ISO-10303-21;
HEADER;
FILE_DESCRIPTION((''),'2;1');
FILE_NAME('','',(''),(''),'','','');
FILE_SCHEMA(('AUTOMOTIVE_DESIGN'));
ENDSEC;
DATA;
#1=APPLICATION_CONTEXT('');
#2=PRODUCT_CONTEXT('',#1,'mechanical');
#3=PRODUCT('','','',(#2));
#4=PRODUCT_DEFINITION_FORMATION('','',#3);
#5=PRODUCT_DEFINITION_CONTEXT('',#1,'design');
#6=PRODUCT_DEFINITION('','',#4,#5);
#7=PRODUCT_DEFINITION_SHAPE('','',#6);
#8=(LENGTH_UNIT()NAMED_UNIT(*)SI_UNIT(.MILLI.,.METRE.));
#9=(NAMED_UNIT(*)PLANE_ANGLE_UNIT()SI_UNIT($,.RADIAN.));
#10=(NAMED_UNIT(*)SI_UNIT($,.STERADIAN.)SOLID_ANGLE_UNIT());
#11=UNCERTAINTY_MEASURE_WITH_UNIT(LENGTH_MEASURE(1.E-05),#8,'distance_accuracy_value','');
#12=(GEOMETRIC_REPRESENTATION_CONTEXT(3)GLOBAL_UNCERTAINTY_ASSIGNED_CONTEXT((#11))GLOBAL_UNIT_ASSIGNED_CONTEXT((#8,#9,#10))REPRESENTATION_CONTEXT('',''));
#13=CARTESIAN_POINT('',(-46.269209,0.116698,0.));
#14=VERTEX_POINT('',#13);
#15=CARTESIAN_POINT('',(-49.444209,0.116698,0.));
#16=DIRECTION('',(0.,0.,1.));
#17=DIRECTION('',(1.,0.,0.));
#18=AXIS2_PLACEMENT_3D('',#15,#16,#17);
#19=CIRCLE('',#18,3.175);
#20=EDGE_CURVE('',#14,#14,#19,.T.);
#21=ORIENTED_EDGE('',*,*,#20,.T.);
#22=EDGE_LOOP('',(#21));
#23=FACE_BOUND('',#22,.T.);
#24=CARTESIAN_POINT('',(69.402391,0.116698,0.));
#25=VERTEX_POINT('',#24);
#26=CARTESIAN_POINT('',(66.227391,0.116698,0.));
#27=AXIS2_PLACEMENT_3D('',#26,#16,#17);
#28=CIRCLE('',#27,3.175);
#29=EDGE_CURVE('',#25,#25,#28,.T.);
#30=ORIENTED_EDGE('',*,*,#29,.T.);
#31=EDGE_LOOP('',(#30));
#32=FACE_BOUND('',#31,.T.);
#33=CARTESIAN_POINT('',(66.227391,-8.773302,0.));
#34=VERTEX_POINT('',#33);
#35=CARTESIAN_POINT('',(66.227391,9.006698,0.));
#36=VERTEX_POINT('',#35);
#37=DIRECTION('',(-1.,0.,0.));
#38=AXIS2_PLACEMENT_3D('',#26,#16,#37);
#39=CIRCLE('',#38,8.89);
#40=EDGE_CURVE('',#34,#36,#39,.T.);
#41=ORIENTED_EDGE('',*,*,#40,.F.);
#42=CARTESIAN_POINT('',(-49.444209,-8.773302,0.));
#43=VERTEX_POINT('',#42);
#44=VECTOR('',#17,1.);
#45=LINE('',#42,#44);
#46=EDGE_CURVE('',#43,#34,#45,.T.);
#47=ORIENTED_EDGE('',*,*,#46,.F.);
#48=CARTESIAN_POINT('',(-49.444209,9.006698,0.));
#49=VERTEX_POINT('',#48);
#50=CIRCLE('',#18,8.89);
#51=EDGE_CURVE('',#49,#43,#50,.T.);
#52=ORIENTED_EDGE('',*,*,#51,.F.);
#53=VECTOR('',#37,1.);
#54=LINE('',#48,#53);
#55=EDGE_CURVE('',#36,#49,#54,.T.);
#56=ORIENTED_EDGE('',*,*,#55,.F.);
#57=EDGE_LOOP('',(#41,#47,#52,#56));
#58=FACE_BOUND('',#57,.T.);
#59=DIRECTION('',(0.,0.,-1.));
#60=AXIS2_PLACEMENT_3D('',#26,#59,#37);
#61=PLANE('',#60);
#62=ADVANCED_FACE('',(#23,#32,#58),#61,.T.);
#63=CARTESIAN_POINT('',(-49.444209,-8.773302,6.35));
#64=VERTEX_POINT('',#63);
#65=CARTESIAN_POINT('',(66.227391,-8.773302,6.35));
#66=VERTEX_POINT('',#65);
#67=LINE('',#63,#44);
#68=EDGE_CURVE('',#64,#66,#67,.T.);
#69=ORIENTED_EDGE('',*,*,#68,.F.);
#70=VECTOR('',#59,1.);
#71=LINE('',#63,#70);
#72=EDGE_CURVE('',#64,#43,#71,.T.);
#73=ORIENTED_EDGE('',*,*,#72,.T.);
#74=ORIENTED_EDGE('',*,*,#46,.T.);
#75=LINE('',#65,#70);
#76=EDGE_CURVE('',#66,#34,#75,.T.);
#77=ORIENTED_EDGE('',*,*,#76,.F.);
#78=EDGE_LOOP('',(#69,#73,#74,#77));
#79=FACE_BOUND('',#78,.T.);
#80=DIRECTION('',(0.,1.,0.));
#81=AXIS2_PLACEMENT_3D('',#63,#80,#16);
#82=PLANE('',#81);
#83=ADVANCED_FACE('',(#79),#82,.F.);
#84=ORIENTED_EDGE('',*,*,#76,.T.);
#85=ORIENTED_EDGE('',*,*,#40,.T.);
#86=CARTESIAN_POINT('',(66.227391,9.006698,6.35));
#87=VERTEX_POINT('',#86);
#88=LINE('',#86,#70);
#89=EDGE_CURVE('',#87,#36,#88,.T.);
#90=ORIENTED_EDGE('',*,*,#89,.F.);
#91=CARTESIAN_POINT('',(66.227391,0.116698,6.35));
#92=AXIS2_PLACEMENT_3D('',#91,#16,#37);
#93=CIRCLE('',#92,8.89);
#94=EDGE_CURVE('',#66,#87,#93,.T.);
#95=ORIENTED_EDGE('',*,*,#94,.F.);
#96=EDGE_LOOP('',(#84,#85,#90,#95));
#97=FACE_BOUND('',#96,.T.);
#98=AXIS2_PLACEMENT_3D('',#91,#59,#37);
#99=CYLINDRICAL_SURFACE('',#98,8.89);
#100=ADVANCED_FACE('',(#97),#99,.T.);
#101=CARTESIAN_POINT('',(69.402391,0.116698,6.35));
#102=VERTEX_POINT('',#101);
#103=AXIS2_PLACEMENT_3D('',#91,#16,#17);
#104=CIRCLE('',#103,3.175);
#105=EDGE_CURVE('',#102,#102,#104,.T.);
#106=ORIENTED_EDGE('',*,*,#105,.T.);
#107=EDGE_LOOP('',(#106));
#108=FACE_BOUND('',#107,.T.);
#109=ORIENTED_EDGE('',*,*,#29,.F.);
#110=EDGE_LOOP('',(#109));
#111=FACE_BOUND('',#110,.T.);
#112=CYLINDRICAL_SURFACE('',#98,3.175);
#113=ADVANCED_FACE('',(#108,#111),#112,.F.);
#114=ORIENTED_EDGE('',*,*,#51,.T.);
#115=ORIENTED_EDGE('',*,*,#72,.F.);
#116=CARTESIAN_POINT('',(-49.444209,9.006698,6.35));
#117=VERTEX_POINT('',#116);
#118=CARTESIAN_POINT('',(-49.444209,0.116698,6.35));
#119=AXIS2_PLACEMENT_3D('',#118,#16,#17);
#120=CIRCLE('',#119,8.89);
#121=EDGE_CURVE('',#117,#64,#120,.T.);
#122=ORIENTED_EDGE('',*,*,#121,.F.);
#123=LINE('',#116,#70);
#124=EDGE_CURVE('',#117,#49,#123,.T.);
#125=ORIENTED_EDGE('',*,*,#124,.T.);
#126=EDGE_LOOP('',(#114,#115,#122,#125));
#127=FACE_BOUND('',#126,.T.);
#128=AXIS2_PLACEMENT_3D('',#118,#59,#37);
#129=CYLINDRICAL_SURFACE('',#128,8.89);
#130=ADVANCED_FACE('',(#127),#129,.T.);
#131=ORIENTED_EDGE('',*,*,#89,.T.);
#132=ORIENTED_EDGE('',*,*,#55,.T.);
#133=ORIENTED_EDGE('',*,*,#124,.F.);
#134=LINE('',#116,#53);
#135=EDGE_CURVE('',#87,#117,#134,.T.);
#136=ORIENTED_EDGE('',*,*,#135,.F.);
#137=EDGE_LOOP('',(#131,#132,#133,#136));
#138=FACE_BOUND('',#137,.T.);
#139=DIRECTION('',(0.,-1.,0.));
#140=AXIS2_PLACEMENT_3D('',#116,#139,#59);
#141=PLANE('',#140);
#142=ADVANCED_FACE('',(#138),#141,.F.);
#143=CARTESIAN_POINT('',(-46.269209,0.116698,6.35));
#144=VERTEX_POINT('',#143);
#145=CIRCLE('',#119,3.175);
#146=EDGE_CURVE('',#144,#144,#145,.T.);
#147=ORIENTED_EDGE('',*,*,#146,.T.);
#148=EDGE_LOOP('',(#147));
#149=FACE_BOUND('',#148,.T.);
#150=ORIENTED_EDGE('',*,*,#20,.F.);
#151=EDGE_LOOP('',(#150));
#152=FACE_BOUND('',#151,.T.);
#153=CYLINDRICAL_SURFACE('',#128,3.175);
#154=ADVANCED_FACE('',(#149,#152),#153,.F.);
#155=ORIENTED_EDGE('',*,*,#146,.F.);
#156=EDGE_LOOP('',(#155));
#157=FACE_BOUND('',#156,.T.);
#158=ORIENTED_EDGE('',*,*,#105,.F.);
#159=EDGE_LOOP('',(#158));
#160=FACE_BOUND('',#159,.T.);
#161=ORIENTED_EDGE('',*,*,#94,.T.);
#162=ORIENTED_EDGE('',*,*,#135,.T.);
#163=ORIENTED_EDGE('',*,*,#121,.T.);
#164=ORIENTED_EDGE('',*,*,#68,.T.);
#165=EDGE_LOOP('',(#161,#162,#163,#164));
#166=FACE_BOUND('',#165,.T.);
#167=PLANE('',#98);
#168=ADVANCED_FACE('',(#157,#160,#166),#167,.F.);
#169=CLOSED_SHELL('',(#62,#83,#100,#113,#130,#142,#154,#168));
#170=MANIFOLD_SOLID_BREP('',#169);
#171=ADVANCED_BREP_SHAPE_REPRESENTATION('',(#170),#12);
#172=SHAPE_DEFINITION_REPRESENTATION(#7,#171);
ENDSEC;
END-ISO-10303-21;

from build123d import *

# Parameters (mm, degrees)
SKETCH1_R           = 3.175
BOSS_EXTRUDE1_DEPTH = 6.35


with BuildPart() as part:
    # Sketch1 → Boss-Extrude1 (new body)
    with BuildSketch(Plane.XY):
        with BuildLine():
            Line((-49.444208902, -8.773302225), (66.227391098, -8.773302225))
            ThreePointArc((66.227391098, -8.773302225), (75.117391098, 0.116697775), (66.227391098, 9.006697775))
            Line((66.227391098, 9.006697775), (-49.444208902, 9.006697775))
            ThreePointArc((-49.444208902, 9.006697775), (-58.334208902, 0.116697775), (-49.444208902, -8.773302225))
        make_face()
        with Locations((-49.444208902, 0.116697775)):
            Circle(SKETCH1_R, mode=Mode.SUBTRACT)
        with Locations((66.227391098, 0.116697775)):
            Circle(SKETCH1_R, mode=Mode.SUBTRACT)
    extrude(amount=BOSS_EXTRUDE1_DEPTH)


solid = part.part
